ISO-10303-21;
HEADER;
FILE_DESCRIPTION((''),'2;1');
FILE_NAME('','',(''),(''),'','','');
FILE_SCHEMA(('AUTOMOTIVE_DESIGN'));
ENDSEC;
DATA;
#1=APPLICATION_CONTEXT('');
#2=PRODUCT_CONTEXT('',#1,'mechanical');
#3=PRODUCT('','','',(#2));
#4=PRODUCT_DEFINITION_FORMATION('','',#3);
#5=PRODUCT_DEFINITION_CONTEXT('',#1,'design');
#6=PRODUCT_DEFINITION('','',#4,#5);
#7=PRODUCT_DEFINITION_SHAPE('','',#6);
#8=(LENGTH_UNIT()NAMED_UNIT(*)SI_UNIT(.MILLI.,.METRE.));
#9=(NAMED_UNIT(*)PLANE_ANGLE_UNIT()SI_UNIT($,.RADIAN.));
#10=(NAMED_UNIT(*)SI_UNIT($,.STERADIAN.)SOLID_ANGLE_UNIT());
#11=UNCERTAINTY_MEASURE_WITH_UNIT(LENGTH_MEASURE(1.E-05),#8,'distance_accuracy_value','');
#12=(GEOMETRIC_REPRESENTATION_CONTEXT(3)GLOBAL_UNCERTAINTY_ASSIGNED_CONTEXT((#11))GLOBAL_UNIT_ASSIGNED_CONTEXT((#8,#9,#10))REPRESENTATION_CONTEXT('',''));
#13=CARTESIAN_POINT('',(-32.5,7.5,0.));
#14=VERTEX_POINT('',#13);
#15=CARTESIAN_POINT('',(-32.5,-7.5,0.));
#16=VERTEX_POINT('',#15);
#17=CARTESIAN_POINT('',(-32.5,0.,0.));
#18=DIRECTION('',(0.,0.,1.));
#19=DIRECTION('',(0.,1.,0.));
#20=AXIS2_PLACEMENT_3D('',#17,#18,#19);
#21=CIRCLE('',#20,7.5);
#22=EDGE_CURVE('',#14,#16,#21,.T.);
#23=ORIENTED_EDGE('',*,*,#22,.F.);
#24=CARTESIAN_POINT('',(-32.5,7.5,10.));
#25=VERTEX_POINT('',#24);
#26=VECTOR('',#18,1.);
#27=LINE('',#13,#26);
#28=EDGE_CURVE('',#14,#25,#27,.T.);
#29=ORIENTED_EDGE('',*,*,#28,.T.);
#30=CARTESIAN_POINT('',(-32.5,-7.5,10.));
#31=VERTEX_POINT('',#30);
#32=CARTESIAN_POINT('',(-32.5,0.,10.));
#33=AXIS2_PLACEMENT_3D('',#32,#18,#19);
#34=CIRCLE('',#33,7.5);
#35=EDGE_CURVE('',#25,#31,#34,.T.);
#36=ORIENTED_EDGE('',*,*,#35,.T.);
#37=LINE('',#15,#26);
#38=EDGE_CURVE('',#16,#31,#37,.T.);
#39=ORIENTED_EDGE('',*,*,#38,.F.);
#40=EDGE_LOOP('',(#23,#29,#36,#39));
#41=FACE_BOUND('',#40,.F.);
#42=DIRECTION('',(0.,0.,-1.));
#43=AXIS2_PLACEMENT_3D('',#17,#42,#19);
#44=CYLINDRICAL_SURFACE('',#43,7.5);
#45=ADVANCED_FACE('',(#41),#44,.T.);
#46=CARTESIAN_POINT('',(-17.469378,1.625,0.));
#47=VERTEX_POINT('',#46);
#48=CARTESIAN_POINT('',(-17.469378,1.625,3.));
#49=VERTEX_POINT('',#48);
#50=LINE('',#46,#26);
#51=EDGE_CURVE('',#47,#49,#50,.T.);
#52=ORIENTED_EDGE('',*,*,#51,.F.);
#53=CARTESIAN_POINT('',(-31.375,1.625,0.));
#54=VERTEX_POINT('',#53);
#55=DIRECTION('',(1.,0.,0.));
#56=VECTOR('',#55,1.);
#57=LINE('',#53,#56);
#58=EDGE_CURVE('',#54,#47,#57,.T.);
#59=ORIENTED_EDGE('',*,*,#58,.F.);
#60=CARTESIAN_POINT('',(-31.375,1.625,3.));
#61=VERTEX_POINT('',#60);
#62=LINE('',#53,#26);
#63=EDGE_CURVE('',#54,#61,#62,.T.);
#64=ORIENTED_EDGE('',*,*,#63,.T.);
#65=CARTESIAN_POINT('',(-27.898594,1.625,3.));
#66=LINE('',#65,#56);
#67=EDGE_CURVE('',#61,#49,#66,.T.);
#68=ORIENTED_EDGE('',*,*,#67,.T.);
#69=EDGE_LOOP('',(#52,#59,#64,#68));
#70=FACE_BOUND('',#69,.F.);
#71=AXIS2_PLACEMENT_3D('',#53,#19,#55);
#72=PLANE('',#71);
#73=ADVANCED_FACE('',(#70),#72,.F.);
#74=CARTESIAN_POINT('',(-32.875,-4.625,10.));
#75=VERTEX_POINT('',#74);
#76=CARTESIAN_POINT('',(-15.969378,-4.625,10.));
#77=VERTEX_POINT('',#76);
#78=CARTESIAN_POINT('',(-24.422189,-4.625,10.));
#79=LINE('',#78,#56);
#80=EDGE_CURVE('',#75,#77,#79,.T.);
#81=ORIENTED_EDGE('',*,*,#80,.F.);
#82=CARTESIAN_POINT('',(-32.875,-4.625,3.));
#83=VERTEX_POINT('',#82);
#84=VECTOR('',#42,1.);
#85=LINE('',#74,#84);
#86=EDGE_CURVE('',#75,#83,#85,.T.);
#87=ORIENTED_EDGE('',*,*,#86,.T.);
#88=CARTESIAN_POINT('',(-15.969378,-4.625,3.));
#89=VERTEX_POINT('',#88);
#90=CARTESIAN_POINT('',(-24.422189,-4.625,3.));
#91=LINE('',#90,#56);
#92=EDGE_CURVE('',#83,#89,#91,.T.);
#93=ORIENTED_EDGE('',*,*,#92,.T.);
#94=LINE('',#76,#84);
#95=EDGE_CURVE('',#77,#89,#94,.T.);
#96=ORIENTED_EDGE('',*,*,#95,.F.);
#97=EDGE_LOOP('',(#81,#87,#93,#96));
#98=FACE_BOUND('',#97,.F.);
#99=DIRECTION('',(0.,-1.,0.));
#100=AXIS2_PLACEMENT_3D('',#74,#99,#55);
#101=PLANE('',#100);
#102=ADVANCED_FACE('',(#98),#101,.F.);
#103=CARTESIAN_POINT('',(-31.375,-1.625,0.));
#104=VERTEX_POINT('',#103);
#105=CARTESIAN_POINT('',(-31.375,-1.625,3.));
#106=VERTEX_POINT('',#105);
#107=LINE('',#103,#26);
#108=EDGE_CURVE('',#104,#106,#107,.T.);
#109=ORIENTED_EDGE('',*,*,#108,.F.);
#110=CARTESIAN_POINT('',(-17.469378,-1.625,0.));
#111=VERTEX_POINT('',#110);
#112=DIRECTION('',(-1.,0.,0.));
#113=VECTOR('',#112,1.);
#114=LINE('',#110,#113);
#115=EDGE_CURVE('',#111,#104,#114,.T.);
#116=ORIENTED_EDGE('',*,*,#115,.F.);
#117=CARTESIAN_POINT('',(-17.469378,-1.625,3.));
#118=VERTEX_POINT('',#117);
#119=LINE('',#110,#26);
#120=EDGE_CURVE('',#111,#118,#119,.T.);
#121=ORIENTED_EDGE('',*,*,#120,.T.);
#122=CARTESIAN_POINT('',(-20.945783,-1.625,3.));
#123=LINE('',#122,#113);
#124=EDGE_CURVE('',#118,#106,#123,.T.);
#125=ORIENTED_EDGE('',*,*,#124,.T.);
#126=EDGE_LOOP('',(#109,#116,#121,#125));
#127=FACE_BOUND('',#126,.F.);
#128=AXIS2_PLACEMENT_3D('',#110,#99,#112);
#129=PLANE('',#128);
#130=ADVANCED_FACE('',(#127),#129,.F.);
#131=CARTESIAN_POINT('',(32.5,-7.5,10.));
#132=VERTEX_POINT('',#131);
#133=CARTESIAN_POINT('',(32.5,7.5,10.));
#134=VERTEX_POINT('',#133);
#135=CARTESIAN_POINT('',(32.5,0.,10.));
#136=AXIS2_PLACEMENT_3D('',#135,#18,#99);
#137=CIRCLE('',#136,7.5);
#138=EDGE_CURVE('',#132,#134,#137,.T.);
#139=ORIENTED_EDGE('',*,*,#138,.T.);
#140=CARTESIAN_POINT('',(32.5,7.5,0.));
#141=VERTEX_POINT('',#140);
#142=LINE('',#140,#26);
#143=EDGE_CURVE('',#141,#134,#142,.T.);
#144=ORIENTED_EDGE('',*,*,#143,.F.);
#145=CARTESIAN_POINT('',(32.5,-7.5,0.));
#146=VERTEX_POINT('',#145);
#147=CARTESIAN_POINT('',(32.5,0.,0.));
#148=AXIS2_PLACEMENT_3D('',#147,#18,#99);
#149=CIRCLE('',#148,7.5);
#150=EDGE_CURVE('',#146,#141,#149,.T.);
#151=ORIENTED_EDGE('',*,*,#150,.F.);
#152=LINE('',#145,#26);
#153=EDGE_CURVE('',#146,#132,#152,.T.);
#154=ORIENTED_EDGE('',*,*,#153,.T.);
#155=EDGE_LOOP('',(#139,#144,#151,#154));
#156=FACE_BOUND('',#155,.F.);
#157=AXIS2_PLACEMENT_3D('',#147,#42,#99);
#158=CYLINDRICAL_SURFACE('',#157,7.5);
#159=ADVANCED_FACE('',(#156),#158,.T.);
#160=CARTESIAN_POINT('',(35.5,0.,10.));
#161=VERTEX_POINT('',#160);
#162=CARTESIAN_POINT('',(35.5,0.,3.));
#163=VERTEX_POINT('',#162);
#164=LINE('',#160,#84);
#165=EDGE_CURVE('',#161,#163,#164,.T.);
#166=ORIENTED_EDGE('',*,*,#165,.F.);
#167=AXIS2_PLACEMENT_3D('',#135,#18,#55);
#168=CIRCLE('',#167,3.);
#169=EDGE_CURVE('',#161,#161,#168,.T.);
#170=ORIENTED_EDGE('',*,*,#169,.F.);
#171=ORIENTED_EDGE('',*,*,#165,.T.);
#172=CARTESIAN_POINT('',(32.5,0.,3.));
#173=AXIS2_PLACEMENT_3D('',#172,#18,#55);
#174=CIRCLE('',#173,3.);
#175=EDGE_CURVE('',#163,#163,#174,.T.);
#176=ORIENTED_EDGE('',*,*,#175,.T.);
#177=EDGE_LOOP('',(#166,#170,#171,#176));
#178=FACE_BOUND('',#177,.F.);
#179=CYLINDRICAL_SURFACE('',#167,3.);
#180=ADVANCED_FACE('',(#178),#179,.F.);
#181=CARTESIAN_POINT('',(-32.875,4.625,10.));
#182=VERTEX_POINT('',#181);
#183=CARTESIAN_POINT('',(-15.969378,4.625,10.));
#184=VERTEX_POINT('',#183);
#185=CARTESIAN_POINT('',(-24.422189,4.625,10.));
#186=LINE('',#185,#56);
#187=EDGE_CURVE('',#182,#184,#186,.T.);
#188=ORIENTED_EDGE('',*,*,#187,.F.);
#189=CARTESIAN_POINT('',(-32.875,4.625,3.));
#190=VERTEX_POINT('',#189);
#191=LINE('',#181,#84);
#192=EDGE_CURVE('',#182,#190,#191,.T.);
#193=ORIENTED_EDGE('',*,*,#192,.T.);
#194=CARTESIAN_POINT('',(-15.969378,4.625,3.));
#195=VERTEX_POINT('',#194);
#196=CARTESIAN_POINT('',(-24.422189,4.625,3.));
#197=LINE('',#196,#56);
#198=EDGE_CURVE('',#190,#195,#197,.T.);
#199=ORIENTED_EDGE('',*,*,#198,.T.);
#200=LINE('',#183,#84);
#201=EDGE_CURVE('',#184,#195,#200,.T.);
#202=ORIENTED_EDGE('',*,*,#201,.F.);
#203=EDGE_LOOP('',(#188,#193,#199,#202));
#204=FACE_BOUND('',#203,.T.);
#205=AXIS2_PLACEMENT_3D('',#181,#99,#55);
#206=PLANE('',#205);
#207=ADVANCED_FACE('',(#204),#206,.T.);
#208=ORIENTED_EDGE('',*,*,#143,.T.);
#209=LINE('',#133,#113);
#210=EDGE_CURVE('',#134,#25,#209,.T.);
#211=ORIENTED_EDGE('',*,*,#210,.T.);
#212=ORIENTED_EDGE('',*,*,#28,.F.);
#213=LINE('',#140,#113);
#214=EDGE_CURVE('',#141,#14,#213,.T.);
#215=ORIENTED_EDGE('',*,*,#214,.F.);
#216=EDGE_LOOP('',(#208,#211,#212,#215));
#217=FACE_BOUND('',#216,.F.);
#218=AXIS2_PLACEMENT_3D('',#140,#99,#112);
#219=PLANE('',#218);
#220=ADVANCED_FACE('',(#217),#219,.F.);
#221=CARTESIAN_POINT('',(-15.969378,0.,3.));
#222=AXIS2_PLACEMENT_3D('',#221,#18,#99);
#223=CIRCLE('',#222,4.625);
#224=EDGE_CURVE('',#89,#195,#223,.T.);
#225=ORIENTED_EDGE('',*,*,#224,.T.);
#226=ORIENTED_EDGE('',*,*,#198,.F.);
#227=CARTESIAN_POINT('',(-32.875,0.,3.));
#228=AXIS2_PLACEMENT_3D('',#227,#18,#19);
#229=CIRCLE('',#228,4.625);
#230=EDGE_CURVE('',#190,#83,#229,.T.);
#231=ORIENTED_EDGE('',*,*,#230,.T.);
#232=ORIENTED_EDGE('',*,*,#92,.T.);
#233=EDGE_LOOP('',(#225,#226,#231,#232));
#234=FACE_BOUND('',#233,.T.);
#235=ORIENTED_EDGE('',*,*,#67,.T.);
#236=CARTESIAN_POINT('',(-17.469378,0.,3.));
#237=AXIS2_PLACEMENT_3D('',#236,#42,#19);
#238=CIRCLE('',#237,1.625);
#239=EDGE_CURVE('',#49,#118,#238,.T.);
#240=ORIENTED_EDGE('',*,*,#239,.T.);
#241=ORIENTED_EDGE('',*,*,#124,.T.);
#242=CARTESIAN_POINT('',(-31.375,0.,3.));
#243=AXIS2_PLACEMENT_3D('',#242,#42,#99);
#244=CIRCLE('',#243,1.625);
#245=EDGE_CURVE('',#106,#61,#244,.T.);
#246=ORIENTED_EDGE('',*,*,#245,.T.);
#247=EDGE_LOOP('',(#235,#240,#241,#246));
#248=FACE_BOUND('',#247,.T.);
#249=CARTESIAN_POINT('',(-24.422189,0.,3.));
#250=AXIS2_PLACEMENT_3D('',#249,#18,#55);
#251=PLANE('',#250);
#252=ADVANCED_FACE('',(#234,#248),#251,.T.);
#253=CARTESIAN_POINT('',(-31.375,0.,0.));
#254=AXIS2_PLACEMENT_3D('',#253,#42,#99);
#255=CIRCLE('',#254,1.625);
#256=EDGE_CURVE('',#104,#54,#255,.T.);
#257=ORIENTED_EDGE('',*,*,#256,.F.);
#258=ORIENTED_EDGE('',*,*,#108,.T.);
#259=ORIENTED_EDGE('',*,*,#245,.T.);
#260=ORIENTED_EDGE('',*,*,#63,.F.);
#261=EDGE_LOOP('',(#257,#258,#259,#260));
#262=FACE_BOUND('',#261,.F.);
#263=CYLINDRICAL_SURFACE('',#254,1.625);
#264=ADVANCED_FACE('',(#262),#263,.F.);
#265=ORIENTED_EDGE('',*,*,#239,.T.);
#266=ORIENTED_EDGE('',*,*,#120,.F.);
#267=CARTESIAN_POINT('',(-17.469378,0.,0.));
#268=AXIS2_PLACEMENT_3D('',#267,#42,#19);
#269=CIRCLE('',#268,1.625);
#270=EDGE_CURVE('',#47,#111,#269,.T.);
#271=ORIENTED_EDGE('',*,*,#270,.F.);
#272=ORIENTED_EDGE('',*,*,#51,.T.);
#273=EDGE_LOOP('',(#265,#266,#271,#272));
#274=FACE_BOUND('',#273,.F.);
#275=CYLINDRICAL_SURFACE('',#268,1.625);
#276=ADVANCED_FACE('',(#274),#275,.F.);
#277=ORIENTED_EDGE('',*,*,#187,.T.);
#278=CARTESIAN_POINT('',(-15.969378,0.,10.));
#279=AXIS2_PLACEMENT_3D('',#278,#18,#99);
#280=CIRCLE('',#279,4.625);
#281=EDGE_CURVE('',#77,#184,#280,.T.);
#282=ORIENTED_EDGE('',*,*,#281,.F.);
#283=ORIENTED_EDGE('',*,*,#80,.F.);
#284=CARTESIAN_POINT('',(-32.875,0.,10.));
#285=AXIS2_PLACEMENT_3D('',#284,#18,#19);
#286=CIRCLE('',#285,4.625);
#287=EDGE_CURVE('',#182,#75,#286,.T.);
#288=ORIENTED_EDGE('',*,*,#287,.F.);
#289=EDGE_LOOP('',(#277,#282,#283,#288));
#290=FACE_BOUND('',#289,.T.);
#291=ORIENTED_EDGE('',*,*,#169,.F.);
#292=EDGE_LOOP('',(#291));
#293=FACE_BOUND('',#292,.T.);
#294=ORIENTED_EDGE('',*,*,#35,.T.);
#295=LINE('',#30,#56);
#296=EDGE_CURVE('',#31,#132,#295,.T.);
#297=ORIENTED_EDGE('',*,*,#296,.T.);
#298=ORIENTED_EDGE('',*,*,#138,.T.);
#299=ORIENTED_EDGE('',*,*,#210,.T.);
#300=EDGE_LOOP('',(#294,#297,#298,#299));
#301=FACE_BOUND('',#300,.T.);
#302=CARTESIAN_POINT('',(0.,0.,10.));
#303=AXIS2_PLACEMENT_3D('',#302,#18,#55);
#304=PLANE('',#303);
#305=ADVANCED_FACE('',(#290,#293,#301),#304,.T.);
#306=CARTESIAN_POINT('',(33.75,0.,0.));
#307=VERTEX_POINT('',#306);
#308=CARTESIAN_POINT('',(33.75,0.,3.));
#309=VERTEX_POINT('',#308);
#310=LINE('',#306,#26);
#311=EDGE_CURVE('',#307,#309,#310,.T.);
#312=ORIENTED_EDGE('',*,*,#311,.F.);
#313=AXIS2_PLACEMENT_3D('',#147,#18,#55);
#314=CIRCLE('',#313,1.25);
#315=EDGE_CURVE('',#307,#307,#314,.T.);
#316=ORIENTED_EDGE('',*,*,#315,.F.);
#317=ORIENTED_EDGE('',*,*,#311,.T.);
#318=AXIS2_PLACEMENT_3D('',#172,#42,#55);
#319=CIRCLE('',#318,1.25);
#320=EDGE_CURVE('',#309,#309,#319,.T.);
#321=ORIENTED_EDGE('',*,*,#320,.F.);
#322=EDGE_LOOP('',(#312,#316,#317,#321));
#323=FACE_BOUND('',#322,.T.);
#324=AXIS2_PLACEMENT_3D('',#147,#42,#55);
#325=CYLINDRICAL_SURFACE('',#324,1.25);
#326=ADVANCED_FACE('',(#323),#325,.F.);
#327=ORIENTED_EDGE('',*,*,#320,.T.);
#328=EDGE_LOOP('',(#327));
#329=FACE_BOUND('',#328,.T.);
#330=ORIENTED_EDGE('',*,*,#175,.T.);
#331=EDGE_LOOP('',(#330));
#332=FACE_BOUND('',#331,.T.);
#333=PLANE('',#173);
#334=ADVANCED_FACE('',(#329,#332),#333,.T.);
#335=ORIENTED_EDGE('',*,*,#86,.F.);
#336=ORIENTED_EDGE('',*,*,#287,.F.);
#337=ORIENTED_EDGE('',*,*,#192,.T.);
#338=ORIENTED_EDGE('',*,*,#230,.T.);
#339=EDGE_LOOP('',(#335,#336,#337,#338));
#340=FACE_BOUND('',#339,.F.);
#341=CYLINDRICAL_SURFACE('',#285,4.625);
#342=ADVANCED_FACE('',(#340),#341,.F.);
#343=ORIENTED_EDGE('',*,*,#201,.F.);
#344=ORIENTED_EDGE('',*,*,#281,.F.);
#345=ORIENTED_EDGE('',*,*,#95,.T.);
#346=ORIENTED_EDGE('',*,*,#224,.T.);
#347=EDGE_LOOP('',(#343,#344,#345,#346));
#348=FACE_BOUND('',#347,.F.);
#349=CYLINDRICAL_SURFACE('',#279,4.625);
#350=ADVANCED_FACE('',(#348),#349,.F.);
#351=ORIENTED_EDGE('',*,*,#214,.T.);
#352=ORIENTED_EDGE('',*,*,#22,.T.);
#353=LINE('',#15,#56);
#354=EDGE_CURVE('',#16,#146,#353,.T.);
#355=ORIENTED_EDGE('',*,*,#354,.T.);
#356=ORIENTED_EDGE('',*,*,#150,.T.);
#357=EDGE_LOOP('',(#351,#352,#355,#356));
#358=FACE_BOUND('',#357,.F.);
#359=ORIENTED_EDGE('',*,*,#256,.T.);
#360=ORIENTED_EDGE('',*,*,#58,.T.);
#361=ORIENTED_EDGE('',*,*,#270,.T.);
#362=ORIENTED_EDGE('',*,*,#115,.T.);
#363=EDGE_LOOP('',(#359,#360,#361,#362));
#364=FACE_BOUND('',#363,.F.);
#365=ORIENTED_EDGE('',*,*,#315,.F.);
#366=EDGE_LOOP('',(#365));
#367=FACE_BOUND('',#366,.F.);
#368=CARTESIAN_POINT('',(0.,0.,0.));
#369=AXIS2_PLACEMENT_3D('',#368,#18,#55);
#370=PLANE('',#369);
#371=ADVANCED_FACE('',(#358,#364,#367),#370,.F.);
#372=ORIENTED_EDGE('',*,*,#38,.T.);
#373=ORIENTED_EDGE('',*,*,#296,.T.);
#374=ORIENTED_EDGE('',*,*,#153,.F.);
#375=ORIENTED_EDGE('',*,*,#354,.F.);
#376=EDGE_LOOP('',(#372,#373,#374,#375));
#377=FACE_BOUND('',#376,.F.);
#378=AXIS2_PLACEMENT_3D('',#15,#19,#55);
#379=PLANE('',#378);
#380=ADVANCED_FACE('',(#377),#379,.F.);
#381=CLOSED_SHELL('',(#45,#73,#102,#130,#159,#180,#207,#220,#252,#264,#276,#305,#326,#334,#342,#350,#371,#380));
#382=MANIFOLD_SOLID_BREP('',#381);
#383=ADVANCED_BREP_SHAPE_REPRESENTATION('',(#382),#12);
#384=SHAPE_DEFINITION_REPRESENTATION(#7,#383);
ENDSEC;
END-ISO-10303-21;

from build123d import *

# Parameters (mm, degrees)
F0_R     = 1.25
F1_DEPTH = 10
F3_R     = 3
F3_W     = 16.9056220651
F3_H     = 9.25
F4_DEPTH = 7


with BuildPart() as f1:
    # F0 (on Top) → F1 (new body)
    with BuildSketch(Plane.XY):
        with BuildLine():
            ThreePointArc((32.5, -7.5), (40, 0), (32.5, 7.5))
            Line((32.5, 7.5), (-32.5, 7.5))
            ThreePointArc((-32.5, 7.5), (-40, 0), (-32.5, -7.5))
            Line((-32.5, -7.5), (32.5, -7.5))
        make_face()
        with BuildLine():
            ThreePointArc((-17.4693779349, 1.625), (-15.8443779349, 0), (-17.4693779349, -1.625))
            Line((-17.4693779349, -1.625), (-31.375, -1.625))
            ThreePointArc((-31.375, -1.625), (-33, 0), (-31.375, 1.625))
            Line((-31.375, 1.625), (-17.4693779349, 1.625))
        make_face(mode=Mode.SUBTRACT)
        with Locations((32.5, 0)):
            Circle(F0_R, mode=Mode.SUBTRACT)
    extrude(amount=F1_DEPTH)

    # F3 (on offset) → F4 (cut)
    with BuildSketch(Plane.XY.offset(10)):
        with Locations((32.5, 0)):
            Circle(F3_R)
        with Locations((-24.4221889675, 0)):
            Rectangle(F3_W, F3_H)
        with BuildLine():
            Line((-32.875, -4.625), (-32.875, 4.625))
            ThreePointArc((-32.875, 4.625), (-37.5, 0), (-32.875, -4.625))
        make_face()
        with BuildLine():
            ThreePointArc((-15.9693779349, -4.625), (-11.3443779349, 0), (-15.9693779349, 4.625))
            Line((-15.9693779349, 4.625), (-15.9693779349, -4.625))
        make_face()
    extrude(amount=-F4_DEPTH, mode=Mode.SUBTRACT)


solid = f1.part
